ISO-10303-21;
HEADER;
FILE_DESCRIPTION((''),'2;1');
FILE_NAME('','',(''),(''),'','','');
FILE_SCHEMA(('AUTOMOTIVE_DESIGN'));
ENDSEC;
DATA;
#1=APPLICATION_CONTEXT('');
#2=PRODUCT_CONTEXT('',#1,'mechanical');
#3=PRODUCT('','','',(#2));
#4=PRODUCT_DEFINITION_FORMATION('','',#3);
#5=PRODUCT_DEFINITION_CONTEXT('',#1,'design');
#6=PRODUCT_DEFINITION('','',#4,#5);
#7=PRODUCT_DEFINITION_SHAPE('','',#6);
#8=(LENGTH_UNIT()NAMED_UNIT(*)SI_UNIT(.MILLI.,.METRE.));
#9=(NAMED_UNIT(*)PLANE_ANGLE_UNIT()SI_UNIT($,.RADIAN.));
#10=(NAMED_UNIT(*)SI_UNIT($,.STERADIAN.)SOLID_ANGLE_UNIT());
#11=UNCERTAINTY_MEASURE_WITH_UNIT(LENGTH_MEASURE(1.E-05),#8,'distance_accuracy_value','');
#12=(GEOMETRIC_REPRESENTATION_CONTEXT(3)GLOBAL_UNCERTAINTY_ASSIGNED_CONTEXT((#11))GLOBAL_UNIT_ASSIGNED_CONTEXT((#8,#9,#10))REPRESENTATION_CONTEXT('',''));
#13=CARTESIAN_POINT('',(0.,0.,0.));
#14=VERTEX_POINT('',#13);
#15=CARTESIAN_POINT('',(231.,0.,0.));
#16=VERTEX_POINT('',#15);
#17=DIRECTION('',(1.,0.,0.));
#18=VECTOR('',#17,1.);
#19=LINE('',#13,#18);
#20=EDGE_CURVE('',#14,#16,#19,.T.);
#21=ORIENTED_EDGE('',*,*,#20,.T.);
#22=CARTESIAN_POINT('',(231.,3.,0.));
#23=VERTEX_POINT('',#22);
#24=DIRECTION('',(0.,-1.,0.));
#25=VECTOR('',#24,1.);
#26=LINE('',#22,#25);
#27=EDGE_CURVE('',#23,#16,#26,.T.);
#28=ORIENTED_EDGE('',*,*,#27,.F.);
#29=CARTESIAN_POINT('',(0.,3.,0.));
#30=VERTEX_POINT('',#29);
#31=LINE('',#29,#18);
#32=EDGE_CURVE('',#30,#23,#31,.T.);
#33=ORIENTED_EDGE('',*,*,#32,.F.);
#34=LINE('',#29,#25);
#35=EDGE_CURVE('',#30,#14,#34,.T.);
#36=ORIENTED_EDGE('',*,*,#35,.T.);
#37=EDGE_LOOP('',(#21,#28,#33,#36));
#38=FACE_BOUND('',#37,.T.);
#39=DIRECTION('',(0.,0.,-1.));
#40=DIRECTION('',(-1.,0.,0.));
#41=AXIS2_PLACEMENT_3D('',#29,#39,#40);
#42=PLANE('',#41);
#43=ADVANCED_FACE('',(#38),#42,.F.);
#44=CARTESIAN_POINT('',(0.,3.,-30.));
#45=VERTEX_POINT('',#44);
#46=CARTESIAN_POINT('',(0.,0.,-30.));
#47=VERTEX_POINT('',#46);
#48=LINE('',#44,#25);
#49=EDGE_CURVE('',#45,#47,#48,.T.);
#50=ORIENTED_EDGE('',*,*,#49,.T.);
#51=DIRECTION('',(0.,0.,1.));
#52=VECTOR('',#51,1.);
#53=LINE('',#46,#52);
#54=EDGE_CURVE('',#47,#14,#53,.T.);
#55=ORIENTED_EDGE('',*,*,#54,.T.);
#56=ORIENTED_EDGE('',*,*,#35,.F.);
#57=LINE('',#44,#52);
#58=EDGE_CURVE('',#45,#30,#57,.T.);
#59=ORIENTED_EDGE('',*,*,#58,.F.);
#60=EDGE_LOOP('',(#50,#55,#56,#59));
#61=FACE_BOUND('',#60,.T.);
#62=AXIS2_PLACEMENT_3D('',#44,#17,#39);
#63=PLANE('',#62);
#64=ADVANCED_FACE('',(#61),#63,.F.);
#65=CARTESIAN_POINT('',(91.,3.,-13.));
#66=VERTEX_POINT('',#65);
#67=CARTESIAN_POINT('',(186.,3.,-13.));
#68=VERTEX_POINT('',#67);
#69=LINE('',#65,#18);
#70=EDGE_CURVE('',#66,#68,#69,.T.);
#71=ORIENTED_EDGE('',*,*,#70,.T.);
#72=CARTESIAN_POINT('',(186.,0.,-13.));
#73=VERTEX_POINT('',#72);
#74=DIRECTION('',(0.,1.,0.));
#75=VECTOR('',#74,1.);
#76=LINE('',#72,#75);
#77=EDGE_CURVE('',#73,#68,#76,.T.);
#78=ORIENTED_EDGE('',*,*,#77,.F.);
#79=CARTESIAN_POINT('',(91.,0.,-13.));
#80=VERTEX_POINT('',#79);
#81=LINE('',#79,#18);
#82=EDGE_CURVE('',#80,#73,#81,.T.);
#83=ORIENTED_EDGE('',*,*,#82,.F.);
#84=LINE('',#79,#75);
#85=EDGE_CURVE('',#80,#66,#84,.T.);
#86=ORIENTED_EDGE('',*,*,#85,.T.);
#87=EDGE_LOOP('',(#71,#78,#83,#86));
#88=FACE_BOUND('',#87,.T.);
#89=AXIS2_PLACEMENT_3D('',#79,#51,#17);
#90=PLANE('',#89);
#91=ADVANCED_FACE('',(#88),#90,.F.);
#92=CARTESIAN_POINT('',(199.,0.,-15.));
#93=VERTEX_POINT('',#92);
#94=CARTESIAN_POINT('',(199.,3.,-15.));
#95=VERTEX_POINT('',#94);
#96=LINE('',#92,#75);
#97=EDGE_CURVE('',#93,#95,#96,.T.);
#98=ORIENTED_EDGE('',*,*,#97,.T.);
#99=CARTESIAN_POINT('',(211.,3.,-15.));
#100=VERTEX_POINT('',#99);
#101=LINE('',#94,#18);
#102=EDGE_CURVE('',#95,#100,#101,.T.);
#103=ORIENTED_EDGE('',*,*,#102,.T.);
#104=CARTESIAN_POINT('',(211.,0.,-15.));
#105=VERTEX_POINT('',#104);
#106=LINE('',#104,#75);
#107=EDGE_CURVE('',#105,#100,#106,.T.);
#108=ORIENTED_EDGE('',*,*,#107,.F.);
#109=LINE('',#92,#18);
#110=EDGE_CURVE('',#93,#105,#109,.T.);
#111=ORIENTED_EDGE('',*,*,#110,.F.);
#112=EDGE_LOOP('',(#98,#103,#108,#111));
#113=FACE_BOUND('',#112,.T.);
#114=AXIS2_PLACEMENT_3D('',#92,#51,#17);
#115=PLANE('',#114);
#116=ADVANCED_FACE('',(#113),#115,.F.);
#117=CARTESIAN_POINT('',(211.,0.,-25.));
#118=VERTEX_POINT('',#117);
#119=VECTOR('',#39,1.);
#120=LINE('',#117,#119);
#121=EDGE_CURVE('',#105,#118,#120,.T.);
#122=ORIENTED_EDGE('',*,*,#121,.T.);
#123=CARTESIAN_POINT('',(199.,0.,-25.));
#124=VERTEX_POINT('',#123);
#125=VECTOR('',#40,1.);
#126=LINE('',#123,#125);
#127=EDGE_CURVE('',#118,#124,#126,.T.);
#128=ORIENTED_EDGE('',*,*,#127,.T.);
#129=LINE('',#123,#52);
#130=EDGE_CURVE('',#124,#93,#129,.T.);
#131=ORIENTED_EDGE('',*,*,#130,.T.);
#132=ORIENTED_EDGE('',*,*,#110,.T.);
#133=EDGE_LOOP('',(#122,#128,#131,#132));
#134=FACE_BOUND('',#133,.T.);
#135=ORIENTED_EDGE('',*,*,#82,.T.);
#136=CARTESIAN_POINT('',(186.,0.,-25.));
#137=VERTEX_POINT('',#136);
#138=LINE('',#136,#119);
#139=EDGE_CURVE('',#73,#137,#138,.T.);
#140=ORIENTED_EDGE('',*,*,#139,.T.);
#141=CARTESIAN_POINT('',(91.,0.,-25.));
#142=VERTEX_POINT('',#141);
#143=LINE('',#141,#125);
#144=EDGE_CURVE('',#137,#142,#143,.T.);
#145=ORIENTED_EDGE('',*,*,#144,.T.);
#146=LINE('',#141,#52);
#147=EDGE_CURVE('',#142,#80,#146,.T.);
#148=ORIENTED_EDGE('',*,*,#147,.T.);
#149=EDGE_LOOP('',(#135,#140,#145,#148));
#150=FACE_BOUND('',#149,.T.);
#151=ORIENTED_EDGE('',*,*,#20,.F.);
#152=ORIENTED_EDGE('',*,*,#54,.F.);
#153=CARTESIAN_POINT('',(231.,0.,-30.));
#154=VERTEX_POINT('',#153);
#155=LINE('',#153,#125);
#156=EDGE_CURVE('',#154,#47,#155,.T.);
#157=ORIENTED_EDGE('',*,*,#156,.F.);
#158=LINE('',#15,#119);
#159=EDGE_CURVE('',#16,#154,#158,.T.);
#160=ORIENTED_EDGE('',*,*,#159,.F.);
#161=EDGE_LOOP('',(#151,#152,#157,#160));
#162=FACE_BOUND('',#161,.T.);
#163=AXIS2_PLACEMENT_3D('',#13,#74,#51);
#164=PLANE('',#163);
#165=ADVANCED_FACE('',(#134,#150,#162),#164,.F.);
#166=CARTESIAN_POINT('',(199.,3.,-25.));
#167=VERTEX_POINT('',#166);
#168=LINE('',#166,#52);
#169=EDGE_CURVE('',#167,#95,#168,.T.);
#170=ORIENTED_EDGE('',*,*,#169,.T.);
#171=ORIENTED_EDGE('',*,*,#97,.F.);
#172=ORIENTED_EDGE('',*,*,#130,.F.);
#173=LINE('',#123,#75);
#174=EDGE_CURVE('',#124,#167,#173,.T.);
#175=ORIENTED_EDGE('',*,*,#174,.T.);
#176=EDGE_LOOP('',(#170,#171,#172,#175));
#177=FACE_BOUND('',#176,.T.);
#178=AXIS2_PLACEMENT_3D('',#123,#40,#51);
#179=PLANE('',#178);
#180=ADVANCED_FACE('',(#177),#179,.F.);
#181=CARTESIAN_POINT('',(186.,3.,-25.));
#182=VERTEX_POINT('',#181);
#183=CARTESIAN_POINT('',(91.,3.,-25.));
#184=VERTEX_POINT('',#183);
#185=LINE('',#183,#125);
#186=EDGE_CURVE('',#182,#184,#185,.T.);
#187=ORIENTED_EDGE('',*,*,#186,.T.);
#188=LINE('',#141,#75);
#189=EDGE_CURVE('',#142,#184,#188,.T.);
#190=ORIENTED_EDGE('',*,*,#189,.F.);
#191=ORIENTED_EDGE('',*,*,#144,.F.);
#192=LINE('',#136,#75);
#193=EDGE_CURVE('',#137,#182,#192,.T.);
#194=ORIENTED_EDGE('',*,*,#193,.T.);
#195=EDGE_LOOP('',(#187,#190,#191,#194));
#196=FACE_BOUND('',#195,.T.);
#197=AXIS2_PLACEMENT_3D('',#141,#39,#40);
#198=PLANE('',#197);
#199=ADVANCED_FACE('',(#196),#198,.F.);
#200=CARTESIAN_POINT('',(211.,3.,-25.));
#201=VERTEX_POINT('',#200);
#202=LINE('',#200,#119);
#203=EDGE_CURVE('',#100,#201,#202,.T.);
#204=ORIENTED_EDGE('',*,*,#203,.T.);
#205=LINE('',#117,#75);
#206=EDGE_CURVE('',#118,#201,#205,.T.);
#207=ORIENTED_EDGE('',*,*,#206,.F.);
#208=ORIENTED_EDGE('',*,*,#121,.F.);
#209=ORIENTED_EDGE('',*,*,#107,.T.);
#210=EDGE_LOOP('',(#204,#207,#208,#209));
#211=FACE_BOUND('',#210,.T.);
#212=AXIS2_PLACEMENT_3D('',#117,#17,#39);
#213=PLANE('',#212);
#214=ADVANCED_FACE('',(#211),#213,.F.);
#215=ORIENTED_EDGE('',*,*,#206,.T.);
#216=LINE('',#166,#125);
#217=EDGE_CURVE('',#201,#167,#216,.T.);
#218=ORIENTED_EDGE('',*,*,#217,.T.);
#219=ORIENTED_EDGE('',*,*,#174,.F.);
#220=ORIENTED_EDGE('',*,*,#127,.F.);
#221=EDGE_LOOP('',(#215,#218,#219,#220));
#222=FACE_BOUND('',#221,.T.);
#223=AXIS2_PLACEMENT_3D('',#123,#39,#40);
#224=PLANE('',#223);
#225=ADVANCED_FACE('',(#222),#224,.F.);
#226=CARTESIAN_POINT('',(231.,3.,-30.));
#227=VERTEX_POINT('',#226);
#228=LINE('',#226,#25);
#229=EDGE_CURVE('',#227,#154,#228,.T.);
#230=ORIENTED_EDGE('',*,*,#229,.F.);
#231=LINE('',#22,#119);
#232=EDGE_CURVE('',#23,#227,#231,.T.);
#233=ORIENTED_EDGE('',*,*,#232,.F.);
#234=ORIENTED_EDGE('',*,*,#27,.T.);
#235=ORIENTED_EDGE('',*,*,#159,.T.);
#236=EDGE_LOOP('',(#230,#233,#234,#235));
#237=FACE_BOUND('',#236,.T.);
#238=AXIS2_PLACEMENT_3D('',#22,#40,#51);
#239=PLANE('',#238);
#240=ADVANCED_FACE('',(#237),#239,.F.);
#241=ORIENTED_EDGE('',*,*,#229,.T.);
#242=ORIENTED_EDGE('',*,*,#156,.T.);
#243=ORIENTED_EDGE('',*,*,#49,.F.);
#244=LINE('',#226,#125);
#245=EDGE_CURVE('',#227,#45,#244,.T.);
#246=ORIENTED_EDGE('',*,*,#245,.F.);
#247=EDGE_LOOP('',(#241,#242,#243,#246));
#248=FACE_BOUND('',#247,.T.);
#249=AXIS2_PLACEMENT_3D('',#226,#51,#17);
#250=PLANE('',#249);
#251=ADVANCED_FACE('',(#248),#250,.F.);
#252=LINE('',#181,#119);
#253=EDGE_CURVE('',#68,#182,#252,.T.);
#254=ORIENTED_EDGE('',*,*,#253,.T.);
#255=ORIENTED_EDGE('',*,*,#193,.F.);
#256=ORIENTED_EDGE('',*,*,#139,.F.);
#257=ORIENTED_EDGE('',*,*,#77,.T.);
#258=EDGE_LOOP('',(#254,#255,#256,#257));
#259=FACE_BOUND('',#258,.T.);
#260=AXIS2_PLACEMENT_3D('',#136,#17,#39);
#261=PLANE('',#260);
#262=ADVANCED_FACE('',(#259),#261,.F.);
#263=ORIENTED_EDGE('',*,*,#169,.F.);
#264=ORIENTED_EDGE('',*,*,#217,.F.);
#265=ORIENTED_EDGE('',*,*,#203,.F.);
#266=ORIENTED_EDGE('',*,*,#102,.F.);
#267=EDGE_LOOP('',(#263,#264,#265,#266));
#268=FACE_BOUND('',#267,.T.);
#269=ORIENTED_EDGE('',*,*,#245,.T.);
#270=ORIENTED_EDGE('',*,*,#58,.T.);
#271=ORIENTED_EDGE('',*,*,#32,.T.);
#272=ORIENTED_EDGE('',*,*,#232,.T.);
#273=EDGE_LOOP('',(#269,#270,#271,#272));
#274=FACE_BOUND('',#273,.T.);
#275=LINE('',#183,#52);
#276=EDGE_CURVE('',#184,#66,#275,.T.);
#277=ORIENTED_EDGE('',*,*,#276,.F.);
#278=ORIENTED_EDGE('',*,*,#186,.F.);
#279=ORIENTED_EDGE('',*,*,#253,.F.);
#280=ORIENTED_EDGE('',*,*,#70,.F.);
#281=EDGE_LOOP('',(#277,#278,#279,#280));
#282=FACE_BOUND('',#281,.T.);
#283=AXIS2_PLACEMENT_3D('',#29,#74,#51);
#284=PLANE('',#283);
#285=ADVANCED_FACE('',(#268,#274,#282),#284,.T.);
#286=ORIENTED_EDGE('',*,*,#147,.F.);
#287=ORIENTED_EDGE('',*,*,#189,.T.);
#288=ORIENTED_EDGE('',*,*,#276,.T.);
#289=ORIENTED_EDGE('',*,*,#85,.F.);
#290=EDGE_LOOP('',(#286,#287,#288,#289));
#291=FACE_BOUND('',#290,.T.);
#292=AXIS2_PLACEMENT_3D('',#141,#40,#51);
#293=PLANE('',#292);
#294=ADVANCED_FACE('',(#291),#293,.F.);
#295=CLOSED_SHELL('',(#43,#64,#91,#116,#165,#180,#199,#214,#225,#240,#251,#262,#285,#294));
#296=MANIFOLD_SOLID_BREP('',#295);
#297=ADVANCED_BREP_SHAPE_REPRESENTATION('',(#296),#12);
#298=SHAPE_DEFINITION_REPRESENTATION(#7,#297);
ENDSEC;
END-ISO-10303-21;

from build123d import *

# Parameters (mm, degrees)
SKETCH_1_W          = 231
SKETCH_1_H          = 30
EXTRUDE_1_DEPTH     = 3
SKETCH_2_W          = 95
SKETCH_2_H          = 12
SKETCH_2_W_2        = 12
SKETCH_2_H_2        = 10
CUT_EXTRUDE_1_DEPTH = 233.9592239


with BuildPart() as part:
    # 草圖1 → 填料-伸長1 (new body)
    with BuildSketch(Plane(origin=(0, 0, 0), x_dir=(1, 0, 0), z_dir=(0, 1, 0))):
        with Locations((115.5, 15)):
            Rectangle(SKETCH_1_W, SKETCH_1_H)
    extrude(amount=EXTRUDE_1_DEPTH)

    # 草圖2 → 除料-伸長1 (cut, through all)
    with BuildSketch(Plane(origin=(0, 3, 0), x_dir=(1, 0, 0), z_dir=(0, 1, 0))):
        with Locations((138.5, 19)):
            Rectangle(SKETCH_2_W, SKETCH_2_H)
        with Locations((205, 20)):
            Rectangle(SKETCH_2_W_2, SKETCH_2_H_2)
    extrude(amount=-CUT_EXTRUDE_1_DEPTH, mode=Mode.SUBTRACT)


solid = part.part
